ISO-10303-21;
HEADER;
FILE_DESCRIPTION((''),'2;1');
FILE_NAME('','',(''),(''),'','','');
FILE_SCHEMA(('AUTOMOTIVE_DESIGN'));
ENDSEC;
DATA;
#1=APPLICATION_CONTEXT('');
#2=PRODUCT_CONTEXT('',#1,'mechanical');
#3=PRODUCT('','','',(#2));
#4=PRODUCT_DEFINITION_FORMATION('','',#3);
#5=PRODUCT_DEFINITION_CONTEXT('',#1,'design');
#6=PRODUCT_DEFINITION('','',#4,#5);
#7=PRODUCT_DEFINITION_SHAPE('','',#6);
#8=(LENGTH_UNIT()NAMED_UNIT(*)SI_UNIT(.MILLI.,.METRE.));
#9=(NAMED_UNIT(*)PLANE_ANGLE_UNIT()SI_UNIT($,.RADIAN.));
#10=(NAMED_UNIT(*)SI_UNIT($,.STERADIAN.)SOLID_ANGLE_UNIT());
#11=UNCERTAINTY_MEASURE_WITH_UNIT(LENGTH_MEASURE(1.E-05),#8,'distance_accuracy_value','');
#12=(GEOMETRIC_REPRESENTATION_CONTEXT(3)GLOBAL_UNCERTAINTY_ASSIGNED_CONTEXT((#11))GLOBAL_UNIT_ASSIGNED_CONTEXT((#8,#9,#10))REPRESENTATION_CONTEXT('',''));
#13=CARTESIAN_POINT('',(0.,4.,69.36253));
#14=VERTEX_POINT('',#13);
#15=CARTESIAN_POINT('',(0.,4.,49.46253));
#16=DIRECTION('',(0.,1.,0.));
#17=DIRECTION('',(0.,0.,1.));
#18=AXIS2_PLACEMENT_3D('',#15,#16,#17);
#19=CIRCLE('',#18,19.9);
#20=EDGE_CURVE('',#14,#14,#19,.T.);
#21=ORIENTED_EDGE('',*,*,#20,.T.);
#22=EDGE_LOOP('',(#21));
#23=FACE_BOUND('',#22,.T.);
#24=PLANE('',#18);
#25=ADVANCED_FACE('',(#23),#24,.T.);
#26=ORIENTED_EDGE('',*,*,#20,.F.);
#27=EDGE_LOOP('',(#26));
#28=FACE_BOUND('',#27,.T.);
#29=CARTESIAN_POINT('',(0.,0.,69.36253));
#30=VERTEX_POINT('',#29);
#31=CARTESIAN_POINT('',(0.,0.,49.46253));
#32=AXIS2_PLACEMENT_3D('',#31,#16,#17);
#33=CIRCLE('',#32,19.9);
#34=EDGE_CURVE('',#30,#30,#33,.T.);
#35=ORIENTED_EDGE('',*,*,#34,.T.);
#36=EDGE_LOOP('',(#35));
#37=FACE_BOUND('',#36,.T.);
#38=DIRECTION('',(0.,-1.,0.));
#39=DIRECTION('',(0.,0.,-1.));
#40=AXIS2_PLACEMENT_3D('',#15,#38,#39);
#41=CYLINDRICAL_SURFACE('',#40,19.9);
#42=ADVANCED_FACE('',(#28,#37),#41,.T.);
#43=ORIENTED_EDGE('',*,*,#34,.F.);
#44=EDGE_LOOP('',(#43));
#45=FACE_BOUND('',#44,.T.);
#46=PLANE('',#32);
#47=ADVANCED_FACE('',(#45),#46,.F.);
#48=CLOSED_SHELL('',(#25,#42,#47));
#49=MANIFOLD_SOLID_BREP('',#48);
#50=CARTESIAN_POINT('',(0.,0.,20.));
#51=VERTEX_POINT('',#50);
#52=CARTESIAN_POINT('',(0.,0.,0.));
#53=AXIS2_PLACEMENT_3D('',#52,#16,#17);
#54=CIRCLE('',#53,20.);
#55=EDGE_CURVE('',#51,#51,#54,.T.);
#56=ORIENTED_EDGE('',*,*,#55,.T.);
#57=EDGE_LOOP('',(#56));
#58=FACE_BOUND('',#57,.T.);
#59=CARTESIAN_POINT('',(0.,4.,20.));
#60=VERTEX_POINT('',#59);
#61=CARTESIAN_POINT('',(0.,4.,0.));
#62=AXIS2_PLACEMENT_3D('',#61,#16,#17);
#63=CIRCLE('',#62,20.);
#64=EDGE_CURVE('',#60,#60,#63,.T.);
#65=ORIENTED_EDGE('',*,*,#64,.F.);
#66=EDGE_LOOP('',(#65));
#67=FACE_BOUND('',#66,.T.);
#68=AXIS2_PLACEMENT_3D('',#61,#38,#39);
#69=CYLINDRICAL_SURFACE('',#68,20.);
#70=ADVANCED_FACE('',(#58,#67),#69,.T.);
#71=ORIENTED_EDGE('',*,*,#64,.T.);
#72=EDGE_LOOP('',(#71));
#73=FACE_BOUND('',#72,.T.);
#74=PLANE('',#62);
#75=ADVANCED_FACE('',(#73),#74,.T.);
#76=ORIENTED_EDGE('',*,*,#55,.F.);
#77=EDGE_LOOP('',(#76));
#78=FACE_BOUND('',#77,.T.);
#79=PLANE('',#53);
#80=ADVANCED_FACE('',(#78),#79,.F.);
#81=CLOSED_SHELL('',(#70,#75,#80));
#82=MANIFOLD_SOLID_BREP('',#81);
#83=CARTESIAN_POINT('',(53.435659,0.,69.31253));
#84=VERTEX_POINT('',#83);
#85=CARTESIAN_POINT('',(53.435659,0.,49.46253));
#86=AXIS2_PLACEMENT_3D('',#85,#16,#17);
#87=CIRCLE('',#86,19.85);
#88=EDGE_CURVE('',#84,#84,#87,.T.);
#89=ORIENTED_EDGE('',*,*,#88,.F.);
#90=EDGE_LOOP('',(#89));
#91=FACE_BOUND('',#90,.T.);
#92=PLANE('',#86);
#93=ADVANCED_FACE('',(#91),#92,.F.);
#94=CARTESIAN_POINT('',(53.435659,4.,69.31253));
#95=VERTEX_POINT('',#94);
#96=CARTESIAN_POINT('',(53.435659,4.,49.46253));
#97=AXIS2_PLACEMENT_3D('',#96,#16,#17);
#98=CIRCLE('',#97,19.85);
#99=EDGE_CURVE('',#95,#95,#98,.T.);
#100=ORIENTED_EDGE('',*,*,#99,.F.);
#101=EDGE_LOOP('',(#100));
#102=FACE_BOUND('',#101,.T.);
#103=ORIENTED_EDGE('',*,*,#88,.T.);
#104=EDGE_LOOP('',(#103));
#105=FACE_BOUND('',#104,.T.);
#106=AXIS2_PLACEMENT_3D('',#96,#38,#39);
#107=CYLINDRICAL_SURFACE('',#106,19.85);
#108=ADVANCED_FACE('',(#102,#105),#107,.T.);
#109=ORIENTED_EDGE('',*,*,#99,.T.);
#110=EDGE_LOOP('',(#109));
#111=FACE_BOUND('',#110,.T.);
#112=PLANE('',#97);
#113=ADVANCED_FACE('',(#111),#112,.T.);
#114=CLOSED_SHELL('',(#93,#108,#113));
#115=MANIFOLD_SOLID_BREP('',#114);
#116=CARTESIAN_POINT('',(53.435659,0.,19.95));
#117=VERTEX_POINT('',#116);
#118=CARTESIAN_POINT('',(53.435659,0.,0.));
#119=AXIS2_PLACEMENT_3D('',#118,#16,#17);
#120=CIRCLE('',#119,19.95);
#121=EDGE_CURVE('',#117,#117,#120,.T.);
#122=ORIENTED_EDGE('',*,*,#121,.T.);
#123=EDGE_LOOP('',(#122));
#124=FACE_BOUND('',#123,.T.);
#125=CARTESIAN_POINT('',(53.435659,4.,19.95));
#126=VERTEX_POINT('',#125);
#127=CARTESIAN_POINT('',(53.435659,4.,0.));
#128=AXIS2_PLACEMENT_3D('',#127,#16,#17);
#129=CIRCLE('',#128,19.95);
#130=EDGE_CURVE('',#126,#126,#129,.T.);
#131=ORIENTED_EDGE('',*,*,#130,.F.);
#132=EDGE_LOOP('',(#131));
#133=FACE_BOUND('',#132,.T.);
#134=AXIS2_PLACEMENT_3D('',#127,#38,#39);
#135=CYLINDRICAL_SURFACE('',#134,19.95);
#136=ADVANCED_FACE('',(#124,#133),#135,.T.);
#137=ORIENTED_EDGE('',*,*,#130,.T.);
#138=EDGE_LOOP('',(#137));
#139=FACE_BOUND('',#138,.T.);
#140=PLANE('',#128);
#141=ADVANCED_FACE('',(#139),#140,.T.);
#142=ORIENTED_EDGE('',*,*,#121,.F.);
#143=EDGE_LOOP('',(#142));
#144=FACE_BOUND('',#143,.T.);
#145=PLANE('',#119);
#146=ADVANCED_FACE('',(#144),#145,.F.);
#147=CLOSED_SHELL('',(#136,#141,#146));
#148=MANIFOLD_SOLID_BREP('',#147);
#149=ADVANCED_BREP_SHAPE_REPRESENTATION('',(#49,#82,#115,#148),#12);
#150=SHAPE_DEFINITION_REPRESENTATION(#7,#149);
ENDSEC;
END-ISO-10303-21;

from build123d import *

# Parameters (mm, degrees)
SKETCH1_R             = 20
BOSS_EXTRUDE1_DEPTH   = 4
SKETCH1_R_2           = 19.95
BOSS_EXTRUDE1_2_DEPTH = 4
SKETCH1_R_3           = 19.85
BOSS_EXTRUDE1_3_DEPTH = 4
SKETCH1_R_4           = 19.9
BOSS_EXTRUDE1_4_DEPTH = 4


with BuildPart() as part:
    # Sketch1 → Boss-Extrude1 (new body)
    with BuildSketch(Plane(origin=(0, 0, 0), x_dir=(1, 0, 0), z_dir=(0, 1, 0))):
        with Locations(Location((0, 0, 0), (0, 0, 270))):
            Circle(SKETCH1_R)
    extrude(amount=BOSS_EXTRUDE1_DEPTH)


with BuildPart() as body_2:
    # Sketch1 → Boss-Extrude1 2 (new body)
    with BuildSketch(Plane(origin=(0, 0, 0), x_dir=(1, 0, 0), z_dir=(0, 1, 0))):
        with Locations(Location((53.435659189, 0, 0), (0, 0, 270))):
            Circle(SKETCH1_R_2)
    extrude(amount=BOSS_EXTRUDE1_2_DEPTH)


with BuildPart() as body_3:
    # Sketch1 → Boss-Extrude1 3 (new body)
    with BuildSketch(Plane(origin=(0, 0, 0), x_dir=(1, 0, 0), z_dir=(0, 1, 0))):
        with Locations(Location((53.435659189, -49.462529873, 0), (0, 0, 270))):
            Circle(SKETCH1_R_3)
    extrude(amount=BOSS_EXTRUDE1_3_DEPTH)


with BuildPart() as body_4:
    # Sketch1 → Boss-Extrude1 4 (new body)
    with BuildSketch(Plane(origin=(0, 0, 0), x_dir=(1, 0, 0), z_dir=(0, 1, 0))):
        with Locations(Location((0, -49.462529873, 0), (0, 0, 270))):
            Circle(SKETCH1_R_4)
    extrude(amount=BOSS_EXTRUDE1_4_DEPTH)


solid = Compound([part.part, body_2.part, body_3.part, body_4.part])
